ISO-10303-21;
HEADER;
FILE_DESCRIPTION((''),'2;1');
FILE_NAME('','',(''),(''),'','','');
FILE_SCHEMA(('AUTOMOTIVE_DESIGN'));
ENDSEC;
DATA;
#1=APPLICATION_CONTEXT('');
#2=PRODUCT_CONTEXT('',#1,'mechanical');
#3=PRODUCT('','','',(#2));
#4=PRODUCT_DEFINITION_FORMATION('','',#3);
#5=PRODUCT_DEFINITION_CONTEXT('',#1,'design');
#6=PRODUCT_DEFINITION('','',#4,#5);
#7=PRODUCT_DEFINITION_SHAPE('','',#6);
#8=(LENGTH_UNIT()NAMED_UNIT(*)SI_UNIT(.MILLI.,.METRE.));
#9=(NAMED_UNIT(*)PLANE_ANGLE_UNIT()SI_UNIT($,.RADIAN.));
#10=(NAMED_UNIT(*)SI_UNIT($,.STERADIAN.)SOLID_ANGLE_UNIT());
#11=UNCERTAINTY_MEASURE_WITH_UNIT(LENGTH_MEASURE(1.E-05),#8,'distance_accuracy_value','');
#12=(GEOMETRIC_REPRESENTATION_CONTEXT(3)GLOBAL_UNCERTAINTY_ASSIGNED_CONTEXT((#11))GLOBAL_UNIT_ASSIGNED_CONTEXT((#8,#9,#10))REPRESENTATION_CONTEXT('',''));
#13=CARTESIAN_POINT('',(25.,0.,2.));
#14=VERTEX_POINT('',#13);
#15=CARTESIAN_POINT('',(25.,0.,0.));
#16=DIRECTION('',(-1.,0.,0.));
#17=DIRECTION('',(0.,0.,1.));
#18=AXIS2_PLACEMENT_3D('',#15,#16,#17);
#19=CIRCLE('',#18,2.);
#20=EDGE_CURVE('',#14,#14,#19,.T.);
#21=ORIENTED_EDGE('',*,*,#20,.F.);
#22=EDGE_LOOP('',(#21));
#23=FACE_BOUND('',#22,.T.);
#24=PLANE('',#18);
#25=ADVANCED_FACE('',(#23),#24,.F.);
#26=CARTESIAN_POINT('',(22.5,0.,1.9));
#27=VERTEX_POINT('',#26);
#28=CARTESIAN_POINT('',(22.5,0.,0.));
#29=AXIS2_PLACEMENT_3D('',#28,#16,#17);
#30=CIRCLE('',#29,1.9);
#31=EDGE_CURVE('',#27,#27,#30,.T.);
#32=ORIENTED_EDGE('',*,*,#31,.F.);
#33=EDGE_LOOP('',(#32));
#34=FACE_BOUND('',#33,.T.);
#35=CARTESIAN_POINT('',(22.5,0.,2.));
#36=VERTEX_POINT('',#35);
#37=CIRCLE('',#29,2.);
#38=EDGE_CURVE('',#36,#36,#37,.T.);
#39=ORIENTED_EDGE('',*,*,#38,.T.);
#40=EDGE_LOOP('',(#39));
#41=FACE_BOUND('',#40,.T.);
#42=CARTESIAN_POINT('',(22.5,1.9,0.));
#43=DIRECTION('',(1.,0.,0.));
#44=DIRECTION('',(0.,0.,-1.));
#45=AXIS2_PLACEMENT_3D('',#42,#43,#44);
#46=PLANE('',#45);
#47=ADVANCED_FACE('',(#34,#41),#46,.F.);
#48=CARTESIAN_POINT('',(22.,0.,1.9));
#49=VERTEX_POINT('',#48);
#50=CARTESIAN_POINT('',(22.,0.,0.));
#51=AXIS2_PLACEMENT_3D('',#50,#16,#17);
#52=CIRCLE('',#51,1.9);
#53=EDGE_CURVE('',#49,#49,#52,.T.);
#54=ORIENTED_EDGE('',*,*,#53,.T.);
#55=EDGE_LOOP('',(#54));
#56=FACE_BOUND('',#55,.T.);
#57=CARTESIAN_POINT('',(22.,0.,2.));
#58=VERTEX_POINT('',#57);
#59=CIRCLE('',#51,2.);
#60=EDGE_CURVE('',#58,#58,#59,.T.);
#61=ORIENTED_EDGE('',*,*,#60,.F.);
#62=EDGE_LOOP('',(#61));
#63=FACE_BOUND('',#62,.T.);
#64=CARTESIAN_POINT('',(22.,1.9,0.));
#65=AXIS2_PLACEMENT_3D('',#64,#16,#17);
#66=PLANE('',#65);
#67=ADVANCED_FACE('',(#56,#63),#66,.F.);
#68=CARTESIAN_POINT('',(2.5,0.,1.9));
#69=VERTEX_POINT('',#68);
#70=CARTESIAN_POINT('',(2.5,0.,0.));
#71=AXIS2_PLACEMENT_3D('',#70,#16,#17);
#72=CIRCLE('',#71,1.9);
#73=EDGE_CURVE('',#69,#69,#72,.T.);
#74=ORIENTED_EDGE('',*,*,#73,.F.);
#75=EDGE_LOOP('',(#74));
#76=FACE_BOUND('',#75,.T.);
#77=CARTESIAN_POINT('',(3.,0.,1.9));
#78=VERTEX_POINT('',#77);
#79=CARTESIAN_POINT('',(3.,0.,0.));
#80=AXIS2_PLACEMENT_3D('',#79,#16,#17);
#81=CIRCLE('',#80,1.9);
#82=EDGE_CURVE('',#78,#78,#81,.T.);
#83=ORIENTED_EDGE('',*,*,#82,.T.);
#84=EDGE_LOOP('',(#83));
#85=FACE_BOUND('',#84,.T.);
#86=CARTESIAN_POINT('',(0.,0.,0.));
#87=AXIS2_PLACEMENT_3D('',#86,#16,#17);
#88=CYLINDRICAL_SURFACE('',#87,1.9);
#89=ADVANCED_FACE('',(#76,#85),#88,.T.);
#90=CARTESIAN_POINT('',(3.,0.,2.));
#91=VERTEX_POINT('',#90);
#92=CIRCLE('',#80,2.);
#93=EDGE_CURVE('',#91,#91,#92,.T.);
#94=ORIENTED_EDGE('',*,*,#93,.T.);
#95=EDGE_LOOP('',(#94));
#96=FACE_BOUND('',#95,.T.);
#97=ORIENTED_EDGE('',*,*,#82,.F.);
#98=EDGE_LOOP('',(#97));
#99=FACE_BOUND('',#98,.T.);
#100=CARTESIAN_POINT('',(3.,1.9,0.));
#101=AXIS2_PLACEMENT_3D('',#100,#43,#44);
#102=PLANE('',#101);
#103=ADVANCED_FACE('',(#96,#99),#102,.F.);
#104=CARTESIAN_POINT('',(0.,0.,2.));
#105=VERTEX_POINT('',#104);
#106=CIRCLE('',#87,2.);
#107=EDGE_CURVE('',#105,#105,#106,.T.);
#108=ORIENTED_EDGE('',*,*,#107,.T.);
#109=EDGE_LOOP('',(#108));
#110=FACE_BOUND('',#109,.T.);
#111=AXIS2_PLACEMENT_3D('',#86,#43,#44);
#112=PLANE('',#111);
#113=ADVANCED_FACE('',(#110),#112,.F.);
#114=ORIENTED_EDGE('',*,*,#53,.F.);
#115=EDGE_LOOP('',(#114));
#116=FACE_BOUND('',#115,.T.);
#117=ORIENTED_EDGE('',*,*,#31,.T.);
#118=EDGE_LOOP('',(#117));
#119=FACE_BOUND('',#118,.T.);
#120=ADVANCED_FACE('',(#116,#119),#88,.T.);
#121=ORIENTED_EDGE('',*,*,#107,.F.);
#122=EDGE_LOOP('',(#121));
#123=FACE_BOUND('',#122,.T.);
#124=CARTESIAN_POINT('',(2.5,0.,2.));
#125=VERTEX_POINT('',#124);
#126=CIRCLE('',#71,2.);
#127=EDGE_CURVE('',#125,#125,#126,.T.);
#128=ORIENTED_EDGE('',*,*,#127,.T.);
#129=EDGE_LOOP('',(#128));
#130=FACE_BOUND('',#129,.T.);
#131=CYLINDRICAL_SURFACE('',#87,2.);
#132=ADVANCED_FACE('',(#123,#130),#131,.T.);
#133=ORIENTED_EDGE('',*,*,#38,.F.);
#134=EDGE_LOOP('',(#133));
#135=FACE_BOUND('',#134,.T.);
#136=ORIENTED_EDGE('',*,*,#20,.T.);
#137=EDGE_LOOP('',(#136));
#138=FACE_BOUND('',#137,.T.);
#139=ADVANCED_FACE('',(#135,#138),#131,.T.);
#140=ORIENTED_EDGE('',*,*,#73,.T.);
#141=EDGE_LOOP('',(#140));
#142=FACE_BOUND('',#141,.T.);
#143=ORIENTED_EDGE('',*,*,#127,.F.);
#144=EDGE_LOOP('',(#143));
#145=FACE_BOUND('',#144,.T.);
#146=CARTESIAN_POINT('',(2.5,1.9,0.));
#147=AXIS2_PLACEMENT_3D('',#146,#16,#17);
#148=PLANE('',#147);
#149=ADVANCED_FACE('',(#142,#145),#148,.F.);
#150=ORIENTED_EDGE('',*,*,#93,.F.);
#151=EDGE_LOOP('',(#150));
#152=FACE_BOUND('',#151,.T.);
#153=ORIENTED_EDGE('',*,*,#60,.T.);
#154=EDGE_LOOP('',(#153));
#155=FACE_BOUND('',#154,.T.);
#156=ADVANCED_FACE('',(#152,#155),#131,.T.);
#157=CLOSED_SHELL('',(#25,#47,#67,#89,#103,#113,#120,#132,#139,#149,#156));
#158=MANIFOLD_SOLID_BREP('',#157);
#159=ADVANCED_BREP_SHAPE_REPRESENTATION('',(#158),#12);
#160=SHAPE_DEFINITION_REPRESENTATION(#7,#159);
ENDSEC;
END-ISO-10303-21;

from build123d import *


with BuildPart() as part:
    # Çizim1 → Döndür1 (revolve)
    with BuildSketch(Plane.XY, mode=Mode.PRIVATE) as d_nd_r1_sk:
        Polygon((0, 0), (25, 0), (25, 2), (22.5, 2), (22.5, 1.9), (22, 1.9), (22, 2), (3, 2), (3, 1.9), (2.5, 1.9), (2.5, 2), (0, 2), align=None)
    revolve(d_nd_r1_sk.sketch.rotate(Axis((0, 0, 0), (1, 0, 0)), 90), axis=Axis((0, 0, 0), (1, 0, 0)))


solid = part.part
